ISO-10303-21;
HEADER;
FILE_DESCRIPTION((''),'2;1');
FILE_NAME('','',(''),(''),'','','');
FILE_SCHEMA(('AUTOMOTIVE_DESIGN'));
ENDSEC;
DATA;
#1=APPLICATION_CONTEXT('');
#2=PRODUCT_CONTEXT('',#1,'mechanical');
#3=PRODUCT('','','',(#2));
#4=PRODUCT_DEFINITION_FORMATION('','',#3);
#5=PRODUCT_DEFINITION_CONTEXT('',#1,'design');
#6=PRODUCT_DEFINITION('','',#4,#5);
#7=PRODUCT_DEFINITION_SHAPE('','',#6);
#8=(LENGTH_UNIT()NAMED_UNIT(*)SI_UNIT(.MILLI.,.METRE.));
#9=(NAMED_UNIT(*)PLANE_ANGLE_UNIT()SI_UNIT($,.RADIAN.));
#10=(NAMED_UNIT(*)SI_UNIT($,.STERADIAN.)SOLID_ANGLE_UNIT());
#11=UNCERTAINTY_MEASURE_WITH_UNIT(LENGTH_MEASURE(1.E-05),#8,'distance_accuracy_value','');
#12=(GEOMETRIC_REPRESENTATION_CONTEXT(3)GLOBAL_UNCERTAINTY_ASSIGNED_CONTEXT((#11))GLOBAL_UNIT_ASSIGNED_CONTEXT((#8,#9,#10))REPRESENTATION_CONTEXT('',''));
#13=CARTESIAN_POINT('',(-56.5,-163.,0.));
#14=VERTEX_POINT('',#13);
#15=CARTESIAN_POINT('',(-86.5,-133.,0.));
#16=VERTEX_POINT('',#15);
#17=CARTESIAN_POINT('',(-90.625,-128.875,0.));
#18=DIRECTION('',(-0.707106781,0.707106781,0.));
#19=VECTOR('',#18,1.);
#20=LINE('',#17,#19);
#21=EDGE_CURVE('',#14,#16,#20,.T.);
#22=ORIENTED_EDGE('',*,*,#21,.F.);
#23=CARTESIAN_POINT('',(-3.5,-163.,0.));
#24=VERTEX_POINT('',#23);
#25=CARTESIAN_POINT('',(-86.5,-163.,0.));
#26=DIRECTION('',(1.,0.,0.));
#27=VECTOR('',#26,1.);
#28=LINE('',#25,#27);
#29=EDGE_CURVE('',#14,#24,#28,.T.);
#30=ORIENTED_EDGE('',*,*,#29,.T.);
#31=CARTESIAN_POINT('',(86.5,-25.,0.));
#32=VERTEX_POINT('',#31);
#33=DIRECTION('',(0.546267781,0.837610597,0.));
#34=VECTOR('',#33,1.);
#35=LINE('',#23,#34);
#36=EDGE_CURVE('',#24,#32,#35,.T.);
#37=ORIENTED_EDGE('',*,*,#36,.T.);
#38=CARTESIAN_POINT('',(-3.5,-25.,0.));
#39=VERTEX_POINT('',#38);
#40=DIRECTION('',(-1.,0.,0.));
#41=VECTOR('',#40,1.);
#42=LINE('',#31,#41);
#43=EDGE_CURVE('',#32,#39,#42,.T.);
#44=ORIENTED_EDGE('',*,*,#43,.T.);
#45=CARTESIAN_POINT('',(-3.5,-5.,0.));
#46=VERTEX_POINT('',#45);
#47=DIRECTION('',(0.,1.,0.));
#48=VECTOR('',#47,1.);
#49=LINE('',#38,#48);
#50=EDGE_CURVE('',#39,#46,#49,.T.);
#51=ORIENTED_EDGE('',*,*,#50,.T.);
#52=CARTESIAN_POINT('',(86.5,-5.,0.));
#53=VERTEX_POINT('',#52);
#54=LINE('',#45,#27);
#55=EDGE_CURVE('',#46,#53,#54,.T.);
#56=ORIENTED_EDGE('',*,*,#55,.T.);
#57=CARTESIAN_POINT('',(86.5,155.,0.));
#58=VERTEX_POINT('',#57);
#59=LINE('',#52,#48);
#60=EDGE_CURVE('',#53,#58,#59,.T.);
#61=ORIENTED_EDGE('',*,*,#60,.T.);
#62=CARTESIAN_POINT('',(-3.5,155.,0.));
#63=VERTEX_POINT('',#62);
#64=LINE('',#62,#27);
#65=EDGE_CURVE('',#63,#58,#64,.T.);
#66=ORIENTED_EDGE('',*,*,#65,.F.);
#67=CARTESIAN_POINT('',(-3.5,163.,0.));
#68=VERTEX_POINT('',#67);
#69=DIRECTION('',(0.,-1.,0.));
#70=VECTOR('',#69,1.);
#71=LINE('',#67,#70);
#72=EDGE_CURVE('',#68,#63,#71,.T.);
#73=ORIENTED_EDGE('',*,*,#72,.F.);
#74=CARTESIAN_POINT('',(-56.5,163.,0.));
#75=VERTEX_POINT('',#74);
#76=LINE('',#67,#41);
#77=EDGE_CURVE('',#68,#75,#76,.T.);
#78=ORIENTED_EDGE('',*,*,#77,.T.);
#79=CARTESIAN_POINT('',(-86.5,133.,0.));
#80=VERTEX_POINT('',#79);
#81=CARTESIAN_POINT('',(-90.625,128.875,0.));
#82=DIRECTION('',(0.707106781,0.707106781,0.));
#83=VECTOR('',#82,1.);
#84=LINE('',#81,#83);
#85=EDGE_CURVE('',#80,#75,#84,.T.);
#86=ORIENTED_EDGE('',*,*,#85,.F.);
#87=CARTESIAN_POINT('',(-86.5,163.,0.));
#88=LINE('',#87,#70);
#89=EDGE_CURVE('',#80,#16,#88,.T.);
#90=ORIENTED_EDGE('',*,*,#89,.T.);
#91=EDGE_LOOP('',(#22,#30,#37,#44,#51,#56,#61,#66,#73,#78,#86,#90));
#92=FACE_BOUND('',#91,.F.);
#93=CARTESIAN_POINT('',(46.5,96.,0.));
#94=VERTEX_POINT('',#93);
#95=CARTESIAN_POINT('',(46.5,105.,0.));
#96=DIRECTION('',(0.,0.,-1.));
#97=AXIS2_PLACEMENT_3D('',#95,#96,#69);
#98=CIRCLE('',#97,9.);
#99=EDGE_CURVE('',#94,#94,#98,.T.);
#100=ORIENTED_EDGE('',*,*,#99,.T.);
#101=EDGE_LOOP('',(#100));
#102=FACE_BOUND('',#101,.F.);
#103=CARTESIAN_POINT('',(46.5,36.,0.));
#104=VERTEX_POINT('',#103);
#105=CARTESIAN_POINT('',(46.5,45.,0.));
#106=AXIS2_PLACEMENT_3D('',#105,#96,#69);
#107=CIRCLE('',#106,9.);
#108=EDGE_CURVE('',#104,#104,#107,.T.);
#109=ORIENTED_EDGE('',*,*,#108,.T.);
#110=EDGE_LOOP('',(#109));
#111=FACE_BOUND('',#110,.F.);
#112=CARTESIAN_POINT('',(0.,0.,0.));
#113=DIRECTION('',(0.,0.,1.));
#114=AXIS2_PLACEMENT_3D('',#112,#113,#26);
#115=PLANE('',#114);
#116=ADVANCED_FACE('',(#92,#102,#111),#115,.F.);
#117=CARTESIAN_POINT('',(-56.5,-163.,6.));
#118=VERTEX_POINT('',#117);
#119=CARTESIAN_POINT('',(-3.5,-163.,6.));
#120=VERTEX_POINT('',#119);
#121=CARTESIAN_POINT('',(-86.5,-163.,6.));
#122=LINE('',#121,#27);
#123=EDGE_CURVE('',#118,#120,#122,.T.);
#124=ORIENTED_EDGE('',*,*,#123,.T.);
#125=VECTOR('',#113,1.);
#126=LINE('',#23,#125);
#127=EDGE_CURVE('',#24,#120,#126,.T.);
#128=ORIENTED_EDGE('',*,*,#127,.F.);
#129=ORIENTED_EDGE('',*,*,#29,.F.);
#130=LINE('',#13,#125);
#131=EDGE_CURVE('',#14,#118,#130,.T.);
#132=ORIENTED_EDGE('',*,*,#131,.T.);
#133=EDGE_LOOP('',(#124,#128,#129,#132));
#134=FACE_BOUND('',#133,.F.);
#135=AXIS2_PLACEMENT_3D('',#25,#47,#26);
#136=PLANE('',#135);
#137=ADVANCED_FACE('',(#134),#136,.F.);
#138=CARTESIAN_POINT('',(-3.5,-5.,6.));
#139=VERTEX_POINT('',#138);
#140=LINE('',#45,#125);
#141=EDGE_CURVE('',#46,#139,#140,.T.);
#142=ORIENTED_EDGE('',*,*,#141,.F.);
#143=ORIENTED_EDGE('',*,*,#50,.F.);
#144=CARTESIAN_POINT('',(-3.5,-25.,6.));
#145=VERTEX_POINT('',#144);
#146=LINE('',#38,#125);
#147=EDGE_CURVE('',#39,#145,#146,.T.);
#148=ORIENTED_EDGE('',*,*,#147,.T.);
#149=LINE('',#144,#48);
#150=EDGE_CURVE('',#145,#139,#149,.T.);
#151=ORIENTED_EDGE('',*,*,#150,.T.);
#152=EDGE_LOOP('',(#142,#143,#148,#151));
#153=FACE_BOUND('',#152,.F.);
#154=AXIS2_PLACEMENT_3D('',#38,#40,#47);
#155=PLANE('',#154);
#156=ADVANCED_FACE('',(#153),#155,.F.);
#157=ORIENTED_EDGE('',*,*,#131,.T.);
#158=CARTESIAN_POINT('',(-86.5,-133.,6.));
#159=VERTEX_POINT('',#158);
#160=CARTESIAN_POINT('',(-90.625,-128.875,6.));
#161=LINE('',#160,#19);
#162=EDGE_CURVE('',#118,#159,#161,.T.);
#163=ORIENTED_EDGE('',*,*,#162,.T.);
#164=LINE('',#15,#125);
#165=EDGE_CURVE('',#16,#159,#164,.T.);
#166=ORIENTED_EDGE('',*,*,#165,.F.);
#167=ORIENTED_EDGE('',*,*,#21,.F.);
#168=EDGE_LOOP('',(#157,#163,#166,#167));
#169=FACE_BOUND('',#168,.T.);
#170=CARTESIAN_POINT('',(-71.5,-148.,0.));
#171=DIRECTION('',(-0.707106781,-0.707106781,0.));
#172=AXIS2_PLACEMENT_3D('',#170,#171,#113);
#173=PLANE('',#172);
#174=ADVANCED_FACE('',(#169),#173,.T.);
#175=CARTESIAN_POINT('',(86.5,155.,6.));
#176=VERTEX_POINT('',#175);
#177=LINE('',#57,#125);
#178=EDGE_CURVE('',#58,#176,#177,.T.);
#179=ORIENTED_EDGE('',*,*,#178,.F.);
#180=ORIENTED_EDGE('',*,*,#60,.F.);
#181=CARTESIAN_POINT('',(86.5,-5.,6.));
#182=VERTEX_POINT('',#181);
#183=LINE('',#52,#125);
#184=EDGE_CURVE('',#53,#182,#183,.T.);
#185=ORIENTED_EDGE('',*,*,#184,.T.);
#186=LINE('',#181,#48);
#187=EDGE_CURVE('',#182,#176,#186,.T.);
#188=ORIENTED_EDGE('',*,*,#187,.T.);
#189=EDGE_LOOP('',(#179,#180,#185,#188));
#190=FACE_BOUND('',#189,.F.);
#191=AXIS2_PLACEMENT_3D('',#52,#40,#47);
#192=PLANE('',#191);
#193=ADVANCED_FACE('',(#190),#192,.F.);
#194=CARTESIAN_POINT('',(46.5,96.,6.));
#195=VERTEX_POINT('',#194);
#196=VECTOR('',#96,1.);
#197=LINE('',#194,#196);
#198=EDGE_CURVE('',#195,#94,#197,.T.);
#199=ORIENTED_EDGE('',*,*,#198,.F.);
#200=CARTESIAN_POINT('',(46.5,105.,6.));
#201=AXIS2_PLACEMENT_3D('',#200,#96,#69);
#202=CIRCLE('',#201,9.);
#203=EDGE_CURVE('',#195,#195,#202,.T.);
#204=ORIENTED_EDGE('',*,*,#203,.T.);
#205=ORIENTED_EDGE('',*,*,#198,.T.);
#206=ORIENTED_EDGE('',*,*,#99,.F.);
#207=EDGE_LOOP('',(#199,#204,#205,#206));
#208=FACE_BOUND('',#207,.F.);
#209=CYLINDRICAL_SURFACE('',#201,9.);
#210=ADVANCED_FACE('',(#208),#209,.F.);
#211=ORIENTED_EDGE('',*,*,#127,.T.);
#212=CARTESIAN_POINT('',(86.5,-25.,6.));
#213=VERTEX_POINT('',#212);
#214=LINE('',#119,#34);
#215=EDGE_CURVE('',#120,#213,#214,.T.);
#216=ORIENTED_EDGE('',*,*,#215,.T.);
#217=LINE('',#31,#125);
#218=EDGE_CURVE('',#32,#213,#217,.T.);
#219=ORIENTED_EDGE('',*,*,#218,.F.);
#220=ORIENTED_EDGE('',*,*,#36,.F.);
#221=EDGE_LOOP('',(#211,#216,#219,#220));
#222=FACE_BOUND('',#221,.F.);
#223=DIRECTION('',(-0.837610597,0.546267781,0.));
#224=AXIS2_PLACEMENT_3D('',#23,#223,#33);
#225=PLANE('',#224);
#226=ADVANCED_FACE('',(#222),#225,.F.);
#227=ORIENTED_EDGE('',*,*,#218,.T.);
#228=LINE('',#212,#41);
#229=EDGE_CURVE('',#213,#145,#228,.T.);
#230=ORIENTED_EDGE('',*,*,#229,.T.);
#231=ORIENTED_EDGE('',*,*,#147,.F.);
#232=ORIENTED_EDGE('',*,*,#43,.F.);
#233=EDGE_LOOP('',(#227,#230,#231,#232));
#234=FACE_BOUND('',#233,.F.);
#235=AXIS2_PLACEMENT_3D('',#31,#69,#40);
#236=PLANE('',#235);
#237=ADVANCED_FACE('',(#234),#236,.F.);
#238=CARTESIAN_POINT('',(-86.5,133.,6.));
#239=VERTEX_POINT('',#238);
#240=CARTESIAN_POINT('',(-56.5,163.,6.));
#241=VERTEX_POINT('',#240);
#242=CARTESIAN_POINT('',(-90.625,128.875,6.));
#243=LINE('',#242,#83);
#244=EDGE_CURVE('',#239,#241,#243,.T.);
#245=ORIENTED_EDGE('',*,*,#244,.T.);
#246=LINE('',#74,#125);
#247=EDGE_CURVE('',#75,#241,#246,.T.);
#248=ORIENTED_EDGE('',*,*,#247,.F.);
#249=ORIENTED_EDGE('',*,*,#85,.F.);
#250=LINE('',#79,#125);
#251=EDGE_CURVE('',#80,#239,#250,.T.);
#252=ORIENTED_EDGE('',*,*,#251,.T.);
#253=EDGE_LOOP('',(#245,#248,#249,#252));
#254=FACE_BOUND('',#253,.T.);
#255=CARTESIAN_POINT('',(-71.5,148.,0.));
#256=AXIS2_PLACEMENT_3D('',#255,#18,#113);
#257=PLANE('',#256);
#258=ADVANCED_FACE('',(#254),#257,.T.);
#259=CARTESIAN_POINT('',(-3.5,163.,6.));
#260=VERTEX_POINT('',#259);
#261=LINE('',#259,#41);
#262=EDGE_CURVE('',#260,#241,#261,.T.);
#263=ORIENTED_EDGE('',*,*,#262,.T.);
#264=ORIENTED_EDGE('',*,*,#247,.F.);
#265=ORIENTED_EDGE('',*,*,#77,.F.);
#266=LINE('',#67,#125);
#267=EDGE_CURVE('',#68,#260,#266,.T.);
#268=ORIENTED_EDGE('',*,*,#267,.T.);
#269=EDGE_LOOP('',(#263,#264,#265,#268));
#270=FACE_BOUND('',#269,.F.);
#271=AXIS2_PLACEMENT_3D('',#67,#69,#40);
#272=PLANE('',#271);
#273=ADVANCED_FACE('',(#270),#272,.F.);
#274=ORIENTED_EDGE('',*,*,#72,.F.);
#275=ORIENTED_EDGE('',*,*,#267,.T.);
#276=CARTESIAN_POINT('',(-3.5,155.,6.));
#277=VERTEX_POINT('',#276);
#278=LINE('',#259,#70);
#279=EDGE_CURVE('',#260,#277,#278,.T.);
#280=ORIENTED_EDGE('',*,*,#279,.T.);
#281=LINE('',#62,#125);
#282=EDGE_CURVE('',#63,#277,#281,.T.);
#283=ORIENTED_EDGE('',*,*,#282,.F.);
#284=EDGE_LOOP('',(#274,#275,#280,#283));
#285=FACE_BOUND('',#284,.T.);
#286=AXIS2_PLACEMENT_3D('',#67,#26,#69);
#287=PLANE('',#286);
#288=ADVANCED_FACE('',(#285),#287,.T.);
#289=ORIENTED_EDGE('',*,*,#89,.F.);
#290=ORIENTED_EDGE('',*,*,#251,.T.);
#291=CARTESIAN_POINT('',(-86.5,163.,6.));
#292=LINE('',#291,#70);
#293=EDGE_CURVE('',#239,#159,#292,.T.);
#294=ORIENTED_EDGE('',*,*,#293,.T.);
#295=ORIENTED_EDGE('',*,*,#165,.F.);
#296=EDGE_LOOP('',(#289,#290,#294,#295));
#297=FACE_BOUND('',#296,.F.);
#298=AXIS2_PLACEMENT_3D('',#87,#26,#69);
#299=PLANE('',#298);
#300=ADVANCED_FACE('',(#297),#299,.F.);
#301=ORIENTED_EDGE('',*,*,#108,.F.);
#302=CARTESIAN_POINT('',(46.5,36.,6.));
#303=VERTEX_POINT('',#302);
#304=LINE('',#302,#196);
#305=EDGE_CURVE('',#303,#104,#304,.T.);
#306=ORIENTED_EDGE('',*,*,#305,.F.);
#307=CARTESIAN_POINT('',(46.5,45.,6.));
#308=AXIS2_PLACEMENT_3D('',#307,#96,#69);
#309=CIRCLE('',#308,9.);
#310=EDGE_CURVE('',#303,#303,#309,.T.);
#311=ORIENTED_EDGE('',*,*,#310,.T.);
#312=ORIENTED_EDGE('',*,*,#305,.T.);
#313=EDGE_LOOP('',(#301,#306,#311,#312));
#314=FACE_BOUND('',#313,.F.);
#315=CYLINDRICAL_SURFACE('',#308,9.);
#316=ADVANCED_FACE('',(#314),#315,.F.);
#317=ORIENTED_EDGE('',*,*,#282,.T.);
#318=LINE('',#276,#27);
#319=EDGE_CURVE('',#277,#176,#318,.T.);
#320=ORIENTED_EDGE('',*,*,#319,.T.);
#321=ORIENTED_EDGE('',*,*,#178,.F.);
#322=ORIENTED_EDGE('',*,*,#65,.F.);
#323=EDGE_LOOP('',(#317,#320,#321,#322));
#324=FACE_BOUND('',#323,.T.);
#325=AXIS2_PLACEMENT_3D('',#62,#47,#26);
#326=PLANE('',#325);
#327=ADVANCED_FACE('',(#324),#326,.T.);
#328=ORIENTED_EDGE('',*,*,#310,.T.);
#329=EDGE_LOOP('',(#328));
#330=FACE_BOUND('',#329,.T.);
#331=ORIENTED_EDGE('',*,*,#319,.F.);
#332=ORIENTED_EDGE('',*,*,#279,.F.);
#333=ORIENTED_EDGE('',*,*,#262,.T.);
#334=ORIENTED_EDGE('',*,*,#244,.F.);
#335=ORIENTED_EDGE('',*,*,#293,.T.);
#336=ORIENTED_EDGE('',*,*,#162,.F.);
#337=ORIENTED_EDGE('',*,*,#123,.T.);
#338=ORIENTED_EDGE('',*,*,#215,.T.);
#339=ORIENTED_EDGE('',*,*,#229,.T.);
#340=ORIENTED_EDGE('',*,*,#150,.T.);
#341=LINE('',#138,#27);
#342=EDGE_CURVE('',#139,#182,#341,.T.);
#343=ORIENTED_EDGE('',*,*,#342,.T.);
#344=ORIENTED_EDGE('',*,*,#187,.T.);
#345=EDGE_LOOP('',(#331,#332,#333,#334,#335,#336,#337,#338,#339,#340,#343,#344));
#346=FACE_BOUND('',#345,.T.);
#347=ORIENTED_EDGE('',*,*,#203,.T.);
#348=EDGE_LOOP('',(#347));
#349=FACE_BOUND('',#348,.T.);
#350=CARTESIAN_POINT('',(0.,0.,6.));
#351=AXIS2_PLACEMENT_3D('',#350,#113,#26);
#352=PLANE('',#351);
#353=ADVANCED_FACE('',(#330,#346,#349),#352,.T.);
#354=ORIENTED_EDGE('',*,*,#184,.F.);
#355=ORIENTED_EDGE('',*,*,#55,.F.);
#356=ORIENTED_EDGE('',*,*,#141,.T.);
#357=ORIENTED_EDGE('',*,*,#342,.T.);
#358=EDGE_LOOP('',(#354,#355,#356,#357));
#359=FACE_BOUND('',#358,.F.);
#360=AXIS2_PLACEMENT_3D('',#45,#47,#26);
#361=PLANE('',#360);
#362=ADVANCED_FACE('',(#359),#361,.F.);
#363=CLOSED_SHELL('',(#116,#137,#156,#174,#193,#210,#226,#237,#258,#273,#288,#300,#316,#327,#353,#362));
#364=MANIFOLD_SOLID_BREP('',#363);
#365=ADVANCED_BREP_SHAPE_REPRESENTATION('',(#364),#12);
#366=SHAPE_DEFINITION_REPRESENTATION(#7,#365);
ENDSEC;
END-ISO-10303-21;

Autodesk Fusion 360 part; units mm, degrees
sketch "スケッチ1" plane through (0, 0, 0) normal (0, 0, 1) x (1, 0, 0)
  line L0 (-3.5, 163) -> (-86.5, 163)
  line L1 (-86.5, 163) -> (-86.5, -163)
  line L2 (-86.5, -163) -> (-3.5, -163)
  line L3 (86.5, -5) -> (86.5, 155)
  line L4 (82.2546, 155) -> (-86.5, -163) construction
  line L5 (-86.5, 163) -> (46.1223, -86.9125) construction
  line L6 (-3.5, 163) -> (-3.5, 155)
  line L7 (-3.5, 155) -> (86.5, 155)
  line L8 (-86.5, -163) -> (-3.5, -163) construction
  line L9 (-3.5, -163) -> (86.5, -25)
  line L10 (86.5, -25) -> (-3.5, -25)
  line L11 (-3.5, -25) -> (-3.5, -5)
  line L12 (-3.5, -5) -> (86.5, -5)
  dimension "d2" = 326
  dimension "d5" = 83
  dimension "d7" = 90
  dimension "d8" = 20
extrude "押し出し1" add sketch "スケッチ1" along normal blind 6
chamfer "面取り1" distance 30 angle 45 2 edges at (-86.5, -163, 3) (-86.5, 163, 3)
sketch "スケッチ2" plane through (0, 0, 6) normal (0, 0, 1) x (-1, 0, 0)
  line L0 (56.5, -163) -> (86.5, -133)
  line L1 (86.5, -133) -> (86.5, 133)
  line L2 (86.5, 133) -> (56.5, 163)
  line L3 (56.5, 163) -> (3.5, 163)
  line L4 (3.5, 163) -> (-86.5, 25)
  line L5 (-86.5, 25) -> (3.5, 25)
  line L6 (3.5, 25) -> (3.5, 5)
  line L7 (3.5, 5) -> (-86.5, 5)
  line L8 (-86.5, 5) -> (-86.5, -155)
  line L9 (-86.5, -155) -> (3.5, -155)
  line L10 (3.5, -155) -> (3.5, -163)
  line L11 (3.5, -163) -> (56.5, -163)
  line L12 (-86.5, -155) -> (-46.5, -155) construction
  line L13 (-46.5, -155) -> (-46.5, -105) construction
  line L14 (-46.5, -105) -> (-86.5, -105) construction
  line L15 (-86.5, -105) -> (-86.5, -155) construction
  line L16 (-46.5, -105) -> (-46.5, -45) construction
  point P0 (-46.5, -105)
  point P1 (-46.5, -45)
  dimension "d12" = 40
  dimension "d13" = 50
  dimension "d14" = 60
hole "穴1" at (46.5, 105, 6) at (46.5, 45, 6) direction (0, 0, -1) diameter 18 end through all
equation "d5 = 30 mm + 53 mm"
